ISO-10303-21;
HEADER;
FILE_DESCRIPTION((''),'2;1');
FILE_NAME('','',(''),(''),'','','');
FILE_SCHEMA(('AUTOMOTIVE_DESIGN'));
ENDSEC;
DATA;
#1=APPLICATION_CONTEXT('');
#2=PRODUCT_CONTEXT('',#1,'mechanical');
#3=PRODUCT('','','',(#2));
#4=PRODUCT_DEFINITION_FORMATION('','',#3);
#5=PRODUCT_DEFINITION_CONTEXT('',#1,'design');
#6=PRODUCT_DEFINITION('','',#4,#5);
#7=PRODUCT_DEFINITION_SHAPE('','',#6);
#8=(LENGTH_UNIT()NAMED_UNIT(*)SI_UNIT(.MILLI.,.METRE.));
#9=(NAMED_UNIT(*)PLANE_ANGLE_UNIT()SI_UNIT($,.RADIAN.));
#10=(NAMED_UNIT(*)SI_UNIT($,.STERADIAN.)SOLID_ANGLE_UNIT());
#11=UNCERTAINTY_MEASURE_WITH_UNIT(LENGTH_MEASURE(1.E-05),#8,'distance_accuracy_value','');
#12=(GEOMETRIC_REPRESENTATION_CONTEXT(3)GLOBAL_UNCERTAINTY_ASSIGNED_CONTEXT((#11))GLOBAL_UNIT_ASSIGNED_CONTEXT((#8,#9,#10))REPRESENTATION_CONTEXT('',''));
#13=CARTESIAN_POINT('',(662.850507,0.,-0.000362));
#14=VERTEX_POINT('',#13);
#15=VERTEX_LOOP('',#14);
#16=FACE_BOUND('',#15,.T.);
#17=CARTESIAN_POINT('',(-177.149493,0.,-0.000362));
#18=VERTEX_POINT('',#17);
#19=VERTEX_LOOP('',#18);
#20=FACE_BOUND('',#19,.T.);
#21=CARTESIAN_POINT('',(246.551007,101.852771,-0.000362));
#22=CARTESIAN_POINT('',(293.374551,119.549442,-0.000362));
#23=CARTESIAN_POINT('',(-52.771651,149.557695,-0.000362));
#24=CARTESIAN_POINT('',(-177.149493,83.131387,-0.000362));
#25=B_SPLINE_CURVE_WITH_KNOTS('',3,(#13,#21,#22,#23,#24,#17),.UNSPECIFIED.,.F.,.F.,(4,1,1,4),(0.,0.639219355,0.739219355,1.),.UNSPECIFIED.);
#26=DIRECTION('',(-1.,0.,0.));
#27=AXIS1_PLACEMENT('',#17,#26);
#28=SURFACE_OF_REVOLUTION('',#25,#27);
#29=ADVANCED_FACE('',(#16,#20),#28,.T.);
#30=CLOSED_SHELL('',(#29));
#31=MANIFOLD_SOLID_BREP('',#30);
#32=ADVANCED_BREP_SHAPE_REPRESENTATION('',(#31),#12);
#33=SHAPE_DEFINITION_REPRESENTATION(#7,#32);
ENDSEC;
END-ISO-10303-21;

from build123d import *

# Parameters (mm, degrees)
ESCALA1_SCALE = 0.7


with BuildPart() as part:
    # Croquis1 → Revolución1 (revolve)
    with BuildSketch(Plane(origin=(0, 0, 0), x_dir=(0, 1, 0), z_dir=(0, 0, 1))):
        with BuildLine():
            Line((0, 302.511160222), (0, -897.488839778))
            add(Edge.make_bspline(
                [(0, -897.488839778), (145.503958449, -302.775267357), (170.784916525, -369.666045448), (213.653850151, 124.828529679), (118.7591241, 302.511160221), (0, 302.511160222)],
                knots=[0, 0, 0, 0, 0.639219355, 0.739219355, 1, 1, 1, 1], degree=3))
        make_face()
    revolve(axis=Axis((-302.511160222, 0, 0), (1, 0, 0)))


with BuildPart() as part_1:
    # Escala1: scaled about (115.359489773, 0, 0)
    add(part.part.scale(ESCALA1_SCALE).moved(Location((34.607846932, 0, 0))))


solid = part_1.part
